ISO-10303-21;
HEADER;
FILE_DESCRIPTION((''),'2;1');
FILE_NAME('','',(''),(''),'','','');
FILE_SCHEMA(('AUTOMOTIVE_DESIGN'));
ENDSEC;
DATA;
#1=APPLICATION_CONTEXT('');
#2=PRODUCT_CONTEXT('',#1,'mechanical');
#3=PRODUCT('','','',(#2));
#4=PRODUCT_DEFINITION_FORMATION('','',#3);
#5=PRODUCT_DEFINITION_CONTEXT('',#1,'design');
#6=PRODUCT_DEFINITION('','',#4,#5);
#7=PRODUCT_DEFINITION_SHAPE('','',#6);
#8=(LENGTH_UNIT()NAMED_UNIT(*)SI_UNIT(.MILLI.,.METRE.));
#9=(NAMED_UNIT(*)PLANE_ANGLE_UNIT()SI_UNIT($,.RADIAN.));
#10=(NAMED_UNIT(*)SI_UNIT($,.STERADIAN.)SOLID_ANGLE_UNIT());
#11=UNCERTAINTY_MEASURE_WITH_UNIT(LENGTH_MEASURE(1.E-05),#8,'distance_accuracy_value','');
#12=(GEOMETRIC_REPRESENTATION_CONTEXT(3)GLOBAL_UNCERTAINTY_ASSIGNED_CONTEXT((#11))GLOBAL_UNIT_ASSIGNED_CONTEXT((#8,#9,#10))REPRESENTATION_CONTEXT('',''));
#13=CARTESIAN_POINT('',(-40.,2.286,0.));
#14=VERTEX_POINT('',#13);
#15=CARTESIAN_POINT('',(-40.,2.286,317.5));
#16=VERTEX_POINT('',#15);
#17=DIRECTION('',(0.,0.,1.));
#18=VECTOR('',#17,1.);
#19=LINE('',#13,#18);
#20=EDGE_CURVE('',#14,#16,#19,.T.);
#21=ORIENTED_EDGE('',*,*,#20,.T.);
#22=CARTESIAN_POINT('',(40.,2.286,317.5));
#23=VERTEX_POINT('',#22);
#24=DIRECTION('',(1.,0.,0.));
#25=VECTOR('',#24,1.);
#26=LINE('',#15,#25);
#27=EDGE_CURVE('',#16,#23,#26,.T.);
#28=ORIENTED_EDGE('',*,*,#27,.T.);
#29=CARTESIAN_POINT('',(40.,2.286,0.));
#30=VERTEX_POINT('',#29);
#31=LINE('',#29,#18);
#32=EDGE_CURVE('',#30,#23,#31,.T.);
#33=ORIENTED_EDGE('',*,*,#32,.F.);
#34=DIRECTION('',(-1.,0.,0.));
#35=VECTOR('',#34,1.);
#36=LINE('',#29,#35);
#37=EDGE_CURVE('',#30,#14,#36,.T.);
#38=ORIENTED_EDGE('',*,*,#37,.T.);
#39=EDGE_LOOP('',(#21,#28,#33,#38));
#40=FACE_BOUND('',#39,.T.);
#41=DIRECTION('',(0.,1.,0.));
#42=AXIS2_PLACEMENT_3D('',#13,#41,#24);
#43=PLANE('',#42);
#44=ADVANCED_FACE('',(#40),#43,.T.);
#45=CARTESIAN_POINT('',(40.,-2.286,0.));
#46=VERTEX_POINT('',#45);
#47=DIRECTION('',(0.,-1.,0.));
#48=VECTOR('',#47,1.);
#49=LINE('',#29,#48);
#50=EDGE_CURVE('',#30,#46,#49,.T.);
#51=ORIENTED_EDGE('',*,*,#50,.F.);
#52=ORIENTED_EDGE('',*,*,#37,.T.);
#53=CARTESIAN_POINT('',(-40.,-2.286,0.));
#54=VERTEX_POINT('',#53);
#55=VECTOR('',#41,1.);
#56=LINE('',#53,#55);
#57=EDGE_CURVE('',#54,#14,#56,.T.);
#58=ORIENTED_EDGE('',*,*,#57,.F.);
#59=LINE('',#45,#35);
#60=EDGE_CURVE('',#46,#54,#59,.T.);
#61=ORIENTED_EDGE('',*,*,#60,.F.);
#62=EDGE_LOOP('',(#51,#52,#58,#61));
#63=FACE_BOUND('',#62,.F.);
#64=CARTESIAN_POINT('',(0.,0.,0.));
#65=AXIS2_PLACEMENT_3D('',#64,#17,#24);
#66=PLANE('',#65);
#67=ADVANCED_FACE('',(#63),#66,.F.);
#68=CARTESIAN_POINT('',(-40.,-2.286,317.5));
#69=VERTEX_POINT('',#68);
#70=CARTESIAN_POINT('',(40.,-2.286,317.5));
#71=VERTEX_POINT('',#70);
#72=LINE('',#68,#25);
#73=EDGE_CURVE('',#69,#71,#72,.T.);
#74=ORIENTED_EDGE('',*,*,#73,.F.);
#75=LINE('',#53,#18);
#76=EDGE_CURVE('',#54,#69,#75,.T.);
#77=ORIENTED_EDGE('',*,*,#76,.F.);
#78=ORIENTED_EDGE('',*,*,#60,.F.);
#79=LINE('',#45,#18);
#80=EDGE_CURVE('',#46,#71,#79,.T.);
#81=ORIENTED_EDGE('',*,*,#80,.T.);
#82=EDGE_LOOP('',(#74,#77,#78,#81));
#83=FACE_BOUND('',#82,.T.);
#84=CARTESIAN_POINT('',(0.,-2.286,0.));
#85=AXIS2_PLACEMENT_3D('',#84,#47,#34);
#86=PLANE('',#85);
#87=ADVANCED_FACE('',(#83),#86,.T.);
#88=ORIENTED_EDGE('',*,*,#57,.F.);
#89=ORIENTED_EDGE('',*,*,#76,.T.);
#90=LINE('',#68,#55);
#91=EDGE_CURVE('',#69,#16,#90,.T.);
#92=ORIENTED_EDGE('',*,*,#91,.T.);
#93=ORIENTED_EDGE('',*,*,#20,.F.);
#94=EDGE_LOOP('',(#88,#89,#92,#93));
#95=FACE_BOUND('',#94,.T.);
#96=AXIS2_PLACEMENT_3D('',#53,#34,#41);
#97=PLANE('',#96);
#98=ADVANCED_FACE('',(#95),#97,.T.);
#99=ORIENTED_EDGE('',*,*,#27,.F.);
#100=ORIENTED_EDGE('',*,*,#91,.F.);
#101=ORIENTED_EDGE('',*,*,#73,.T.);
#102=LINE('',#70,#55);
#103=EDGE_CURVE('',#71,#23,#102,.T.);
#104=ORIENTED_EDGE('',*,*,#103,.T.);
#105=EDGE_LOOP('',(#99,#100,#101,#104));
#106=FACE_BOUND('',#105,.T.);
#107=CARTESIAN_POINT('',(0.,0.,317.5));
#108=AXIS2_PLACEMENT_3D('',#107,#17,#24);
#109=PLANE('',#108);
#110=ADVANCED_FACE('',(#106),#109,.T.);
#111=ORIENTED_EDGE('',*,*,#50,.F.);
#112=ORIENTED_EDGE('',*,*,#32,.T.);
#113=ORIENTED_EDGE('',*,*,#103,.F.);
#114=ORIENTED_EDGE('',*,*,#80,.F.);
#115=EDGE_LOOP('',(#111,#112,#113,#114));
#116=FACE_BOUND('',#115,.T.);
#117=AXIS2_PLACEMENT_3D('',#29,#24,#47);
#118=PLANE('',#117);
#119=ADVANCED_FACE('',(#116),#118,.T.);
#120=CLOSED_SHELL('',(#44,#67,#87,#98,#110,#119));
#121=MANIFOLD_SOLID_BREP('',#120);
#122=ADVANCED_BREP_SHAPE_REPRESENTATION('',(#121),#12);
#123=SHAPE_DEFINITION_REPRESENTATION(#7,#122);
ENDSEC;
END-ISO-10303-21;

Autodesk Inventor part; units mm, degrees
ref_plane "YZ Plane" through (0, 0, 0) normal (1, 0, 0) x (0, 1, 0)
ref_plane "XZ Plane" through (0, 0, 0) normal (0, 1, 0) x (-1, 0, 0)
ref_plane "XY Plane" through (0, 0, 0) normal (0, 0, 1) x (1, 0, 0)
sketch "Sketch1" plane through (0, 0, 0) normal (0, 0, 1) x (1, 0, 0)
  line L0 (-40, 2.286) -> (40, 2.286)
  line L1 (40, 2.286) -> (40, -2.286)
  line L2 (40, -2.286) -> (-40, -2.286)
  line L3 (-40, -2.286) -> (-40, 2.286)
  line L4 (0, -14.5337) -> (0, 22.9692)
  line L5 (-9.7607, 0) -> (47.5072, 0)
  point P0 (0, 0)
  dimension "d0" = 80
  dimension "d1" = 0
  dimension "d2" = 4.572
  dimension "d5" = 0
extrude "Extrusion1" add sketch "Sketch1" along normal blind 317.5
properties part number "longeron"
